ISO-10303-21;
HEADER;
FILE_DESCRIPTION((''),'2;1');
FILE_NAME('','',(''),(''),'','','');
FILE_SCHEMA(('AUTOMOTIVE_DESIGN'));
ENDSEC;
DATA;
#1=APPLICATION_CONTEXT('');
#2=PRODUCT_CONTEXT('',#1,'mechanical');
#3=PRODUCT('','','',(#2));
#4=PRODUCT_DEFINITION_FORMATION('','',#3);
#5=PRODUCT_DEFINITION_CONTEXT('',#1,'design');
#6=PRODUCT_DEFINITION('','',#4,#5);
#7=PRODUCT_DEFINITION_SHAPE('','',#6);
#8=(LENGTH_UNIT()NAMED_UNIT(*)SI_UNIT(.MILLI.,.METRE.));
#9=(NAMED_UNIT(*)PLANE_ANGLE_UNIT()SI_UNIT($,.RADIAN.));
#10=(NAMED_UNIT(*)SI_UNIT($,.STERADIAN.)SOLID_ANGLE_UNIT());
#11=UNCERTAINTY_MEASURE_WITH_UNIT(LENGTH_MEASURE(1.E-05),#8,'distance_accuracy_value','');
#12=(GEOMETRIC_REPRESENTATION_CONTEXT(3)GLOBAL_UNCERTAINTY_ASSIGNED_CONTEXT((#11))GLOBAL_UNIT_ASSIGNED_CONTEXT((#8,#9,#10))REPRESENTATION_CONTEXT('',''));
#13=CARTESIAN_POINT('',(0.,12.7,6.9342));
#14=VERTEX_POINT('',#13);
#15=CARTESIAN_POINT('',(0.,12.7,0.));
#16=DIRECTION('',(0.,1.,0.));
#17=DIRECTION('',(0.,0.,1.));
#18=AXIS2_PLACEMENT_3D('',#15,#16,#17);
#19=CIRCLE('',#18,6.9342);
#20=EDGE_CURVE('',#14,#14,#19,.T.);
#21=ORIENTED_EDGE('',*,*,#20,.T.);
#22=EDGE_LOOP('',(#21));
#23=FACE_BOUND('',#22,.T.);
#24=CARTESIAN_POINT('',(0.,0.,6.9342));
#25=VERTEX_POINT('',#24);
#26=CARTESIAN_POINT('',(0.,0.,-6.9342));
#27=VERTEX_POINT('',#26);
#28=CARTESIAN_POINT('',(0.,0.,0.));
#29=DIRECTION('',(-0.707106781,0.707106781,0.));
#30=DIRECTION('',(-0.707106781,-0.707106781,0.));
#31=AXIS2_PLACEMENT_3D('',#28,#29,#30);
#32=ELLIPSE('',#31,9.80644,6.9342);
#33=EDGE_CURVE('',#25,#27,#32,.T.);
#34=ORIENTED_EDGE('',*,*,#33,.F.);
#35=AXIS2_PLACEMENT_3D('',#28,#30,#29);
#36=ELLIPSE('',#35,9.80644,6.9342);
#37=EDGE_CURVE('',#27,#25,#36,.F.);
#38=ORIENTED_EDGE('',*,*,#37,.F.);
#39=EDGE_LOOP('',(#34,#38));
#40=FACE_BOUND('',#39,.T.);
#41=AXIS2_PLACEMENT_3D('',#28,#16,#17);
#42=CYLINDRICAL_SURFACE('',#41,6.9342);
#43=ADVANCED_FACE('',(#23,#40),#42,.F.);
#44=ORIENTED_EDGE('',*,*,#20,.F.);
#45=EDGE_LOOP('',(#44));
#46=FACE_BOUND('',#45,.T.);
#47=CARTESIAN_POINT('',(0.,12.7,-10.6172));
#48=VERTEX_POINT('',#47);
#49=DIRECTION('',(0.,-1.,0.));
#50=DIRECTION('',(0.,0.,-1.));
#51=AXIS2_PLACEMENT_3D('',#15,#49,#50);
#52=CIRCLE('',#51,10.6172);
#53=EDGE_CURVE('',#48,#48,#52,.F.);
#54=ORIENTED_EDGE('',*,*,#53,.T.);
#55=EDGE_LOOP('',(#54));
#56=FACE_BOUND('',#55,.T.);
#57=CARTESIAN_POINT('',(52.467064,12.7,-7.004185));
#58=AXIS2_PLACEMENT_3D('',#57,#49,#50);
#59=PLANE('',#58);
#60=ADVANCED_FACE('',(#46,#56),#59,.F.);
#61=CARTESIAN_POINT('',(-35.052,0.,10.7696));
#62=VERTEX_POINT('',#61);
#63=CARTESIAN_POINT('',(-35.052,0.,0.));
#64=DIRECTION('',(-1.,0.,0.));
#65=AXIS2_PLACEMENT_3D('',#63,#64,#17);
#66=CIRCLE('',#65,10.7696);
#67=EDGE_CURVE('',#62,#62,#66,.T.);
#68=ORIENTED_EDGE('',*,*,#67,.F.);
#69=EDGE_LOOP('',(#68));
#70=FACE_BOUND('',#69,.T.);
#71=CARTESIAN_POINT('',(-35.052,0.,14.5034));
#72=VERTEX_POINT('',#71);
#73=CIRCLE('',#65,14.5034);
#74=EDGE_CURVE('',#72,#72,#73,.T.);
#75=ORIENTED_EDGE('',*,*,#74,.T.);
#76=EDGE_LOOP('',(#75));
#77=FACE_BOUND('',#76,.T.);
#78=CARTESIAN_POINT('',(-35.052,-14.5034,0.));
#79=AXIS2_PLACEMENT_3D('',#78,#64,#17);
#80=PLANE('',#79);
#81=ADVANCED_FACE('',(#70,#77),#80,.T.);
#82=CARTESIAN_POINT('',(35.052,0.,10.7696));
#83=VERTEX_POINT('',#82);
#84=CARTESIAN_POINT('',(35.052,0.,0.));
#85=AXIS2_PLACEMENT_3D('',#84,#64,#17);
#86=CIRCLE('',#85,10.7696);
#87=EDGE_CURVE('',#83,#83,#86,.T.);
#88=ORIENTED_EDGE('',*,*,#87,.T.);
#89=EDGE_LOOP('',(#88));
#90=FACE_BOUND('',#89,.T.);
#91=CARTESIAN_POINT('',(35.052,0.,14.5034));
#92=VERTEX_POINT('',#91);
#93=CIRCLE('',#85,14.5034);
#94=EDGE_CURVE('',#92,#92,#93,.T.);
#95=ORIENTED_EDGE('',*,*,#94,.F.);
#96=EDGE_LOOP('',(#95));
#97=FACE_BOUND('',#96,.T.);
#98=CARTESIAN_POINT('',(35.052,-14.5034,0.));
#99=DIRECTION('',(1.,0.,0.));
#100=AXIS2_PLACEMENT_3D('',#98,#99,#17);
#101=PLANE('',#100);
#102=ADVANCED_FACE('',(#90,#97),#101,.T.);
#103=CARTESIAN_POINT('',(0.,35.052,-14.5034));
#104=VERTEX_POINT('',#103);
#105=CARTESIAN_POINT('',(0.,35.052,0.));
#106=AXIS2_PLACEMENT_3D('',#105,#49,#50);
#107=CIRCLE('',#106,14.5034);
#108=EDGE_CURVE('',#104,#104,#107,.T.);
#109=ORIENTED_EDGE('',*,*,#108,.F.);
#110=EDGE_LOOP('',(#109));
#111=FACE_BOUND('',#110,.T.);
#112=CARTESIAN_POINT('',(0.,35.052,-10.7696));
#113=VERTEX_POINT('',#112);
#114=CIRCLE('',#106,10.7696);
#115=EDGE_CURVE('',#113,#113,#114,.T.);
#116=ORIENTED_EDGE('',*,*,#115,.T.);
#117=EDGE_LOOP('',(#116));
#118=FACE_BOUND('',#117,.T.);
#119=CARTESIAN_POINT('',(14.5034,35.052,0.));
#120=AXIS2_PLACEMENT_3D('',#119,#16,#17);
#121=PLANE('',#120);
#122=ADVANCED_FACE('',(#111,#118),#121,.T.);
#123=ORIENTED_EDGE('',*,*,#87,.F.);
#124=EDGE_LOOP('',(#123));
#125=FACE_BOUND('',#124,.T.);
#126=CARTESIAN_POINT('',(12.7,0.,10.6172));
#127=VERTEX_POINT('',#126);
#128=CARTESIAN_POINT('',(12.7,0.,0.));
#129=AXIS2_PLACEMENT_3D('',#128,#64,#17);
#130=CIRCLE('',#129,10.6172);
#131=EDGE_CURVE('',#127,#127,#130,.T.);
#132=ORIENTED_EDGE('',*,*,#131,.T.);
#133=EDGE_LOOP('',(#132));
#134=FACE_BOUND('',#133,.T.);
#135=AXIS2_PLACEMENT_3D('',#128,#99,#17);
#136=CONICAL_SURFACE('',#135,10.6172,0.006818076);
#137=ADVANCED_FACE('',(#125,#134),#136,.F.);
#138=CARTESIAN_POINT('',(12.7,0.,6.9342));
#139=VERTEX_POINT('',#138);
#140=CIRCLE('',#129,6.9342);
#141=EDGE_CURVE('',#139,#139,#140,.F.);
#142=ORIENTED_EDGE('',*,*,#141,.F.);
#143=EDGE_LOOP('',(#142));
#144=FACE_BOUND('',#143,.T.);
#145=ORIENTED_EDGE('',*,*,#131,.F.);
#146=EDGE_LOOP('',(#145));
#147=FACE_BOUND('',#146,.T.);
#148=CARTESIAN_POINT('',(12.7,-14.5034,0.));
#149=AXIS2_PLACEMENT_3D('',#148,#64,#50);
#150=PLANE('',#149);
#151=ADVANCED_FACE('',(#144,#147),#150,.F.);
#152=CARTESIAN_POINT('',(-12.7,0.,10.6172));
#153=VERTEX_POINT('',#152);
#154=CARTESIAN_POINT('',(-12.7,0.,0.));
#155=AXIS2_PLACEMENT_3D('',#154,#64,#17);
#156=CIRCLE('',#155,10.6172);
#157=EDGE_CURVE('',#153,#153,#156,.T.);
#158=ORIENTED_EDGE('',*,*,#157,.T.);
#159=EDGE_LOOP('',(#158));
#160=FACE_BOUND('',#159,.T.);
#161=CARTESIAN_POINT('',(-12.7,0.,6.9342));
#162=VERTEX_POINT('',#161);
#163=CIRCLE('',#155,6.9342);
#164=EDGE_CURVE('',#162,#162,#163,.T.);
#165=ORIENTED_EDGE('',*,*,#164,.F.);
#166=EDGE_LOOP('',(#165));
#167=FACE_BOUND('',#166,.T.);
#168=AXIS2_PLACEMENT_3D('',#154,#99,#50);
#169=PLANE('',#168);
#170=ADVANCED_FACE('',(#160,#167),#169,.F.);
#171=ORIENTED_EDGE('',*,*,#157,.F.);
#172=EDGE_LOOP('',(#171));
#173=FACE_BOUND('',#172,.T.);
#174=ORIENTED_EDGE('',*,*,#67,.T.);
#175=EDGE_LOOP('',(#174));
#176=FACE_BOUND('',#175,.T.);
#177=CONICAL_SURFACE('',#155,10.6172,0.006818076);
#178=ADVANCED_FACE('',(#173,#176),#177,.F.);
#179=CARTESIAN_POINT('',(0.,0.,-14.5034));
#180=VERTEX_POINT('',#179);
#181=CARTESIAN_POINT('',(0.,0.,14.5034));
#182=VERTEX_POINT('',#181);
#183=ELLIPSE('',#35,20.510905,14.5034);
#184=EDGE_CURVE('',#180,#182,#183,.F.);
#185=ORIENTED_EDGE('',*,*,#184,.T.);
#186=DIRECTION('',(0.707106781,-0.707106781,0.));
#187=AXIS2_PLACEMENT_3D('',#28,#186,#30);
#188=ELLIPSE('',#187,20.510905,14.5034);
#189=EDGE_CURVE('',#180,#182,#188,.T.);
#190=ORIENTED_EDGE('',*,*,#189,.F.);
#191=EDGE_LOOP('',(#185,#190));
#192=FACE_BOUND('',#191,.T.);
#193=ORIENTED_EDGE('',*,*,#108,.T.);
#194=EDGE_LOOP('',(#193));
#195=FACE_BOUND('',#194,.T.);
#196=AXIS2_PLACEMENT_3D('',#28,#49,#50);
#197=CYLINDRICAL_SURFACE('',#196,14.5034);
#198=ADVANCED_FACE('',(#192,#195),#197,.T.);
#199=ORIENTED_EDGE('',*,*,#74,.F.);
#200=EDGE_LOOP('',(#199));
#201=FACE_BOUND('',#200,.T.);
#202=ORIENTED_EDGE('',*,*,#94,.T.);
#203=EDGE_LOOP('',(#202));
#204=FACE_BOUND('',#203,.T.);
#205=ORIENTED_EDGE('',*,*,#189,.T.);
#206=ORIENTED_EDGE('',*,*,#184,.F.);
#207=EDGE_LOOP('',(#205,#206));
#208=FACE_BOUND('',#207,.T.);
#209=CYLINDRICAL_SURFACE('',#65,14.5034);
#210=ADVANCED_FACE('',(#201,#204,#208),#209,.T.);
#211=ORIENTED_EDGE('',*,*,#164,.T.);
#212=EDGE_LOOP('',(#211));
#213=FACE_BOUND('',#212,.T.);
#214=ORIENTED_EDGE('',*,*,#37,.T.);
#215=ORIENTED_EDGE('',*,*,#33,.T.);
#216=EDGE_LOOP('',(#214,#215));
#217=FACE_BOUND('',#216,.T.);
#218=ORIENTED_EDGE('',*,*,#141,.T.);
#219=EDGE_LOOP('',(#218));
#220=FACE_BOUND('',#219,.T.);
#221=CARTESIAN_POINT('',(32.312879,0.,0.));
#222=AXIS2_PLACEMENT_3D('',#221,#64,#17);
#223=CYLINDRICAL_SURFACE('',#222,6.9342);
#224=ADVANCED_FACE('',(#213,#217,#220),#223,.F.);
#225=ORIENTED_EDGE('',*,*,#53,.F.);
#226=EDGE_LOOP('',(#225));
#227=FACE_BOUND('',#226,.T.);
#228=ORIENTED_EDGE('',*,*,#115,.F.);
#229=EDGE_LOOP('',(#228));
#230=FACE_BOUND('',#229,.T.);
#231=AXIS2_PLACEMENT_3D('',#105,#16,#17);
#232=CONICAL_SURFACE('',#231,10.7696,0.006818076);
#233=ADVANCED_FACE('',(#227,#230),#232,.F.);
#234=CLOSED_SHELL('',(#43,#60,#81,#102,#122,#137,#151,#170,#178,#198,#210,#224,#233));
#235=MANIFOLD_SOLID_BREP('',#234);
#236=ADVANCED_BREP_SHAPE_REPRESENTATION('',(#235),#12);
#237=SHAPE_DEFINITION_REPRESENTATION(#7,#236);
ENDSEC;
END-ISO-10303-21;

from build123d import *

# Parameters (mm, degrees)
BOSS_EXTRUDE1_DEPTH = 25.4
BOSS_EXTRUDE2_REACH = 29.203
SKETCH5_R           = 6.9342
CUT_EXTRUDE1_DEPTH  = 25.4
CUT_EXTRUDE2_START  = -12.7
SKETCH6_R           = 6.9342
CUT_EXTRUDE2_DEPTH  = 12.7


with BuildPart() as part:
    # Sketch1 → Revolve1 (revolve)
    with BuildSketch(Plane.XY):
        Polygon((-35.052, -14.5034), (-12.7, -14.5034), (-12.7, -10.6172), (-35.052, -10.7696), align=None)
    revolve(axis=Axis((-35.052, 0, 0), (1, 0, 0)))


with BuildPart() as body_2:
    # Mirror1: mirrored copy
    add(part.part.mirror(Plane(origin=(0, 0, 0), x_dir=(0, 0, 1), z_dir=(1, 0, 0))))


with BuildPart() as body_3:
    # Sketch2 → Revolve2 (revolve)
    with BuildSketch(Plane.XY):
        Polygon((10.7696, 35.052), (10.6172, 12.7), (14.5034, 12.7), (14.5034, 35.052), align=None)
    revolve(axis=Axis((0, 0, 0), (0, 1, 0)))


with BuildPart() as part_1:
    add(part.part)

    add(body_2.part)  # Boss-Extrude1 merges body 2

    add(body_3.part)  # Boss-Extrude1 merges body 3
    # Sketch3 → Boss-Extrude1 (add)
    with BuildSketch(Plane(origin=(-12.7, 0, 0), x_dir=(0, 0, -1), z_dir=(1, 0, 0))):
        with BuildLine():
            Line((7.004185289, 12.7), (-7.004185289, 12.7))
            ThreePointArc((-7.004185289, 12.7), (0, -14.5034), (7.004185289, 12.7))
        make_face()
    extrude(amount=BOSS_EXTRUDE1_DEPTH)

    # Sketch4 → Boss-Extrude2 (add, up to next)
    with BuildSketch(Plane.XZ.offset(-12.7), mode=Mode.PRIVATE) as boss_extrude2_sk1:
        with BuildLine():
            ThreePointArc((-12.7, -7.004185289), (0, -14.5034), (12.7, -7.004185289))
            Line((12.7, -7.004185289), (-12.7, -7.004185289))
        make_face()
    boss_extrude2_tool1 = extrude(boss_extrude2_sk1.sketch, amount=BOSS_EXTRUDE2_REACH, mode=Mode.PRIVATE) - part_1.part
    add(boss_extrude2_tool1.solids().sort_by_distance((0, 12.7, -10.082201))[0])
    # Sketch4 → Boss-Extrude2 (add, up to next)
    with BuildSketch(Plane.XZ.offset(-12.7), mode=Mode.PRIVATE) as boss_extrude2_sk2:
        with BuildLine():
            ThreePointArc((12.7, 7.004185289), (0, 14.5034), (-12.7, 7.004185289))
            Line((-12.7, 7.004185289), (12.7, 7.004185289))
        make_face()
    boss_extrude2_tool2 = extrude(boss_extrude2_sk2.sketch, amount=BOSS_EXTRUDE2_REACH, mode=Mode.PRIVATE) - part_1.part
    add(boss_extrude2_tool2.solids().sort_by_distance((0, 12.7, 10.082201))[0])

    # Sketch5 → Cut-Extrude1 (cut)
    with BuildSketch(Plane.ZY.offset(12.7)):
        Circle(SKETCH5_R)
    extrude(amount=-CUT_EXTRUDE1_DEPTH, mode=Mode.SUBTRACT)

    # Sketch6 → Cut-Extrude2 (cut)
    with BuildSketch(Plane(origin=(0, 12.7, 0), x_dir=(1, 0, 0), z_dir=(0, 1, 0)).offset(CUT_EXTRUDE2_START)):
        Circle(SKETCH6_R)
    extrude(amount=CUT_EXTRUDE2_DEPTH, mode=Mode.SUBTRACT)


solid = part_1.part
